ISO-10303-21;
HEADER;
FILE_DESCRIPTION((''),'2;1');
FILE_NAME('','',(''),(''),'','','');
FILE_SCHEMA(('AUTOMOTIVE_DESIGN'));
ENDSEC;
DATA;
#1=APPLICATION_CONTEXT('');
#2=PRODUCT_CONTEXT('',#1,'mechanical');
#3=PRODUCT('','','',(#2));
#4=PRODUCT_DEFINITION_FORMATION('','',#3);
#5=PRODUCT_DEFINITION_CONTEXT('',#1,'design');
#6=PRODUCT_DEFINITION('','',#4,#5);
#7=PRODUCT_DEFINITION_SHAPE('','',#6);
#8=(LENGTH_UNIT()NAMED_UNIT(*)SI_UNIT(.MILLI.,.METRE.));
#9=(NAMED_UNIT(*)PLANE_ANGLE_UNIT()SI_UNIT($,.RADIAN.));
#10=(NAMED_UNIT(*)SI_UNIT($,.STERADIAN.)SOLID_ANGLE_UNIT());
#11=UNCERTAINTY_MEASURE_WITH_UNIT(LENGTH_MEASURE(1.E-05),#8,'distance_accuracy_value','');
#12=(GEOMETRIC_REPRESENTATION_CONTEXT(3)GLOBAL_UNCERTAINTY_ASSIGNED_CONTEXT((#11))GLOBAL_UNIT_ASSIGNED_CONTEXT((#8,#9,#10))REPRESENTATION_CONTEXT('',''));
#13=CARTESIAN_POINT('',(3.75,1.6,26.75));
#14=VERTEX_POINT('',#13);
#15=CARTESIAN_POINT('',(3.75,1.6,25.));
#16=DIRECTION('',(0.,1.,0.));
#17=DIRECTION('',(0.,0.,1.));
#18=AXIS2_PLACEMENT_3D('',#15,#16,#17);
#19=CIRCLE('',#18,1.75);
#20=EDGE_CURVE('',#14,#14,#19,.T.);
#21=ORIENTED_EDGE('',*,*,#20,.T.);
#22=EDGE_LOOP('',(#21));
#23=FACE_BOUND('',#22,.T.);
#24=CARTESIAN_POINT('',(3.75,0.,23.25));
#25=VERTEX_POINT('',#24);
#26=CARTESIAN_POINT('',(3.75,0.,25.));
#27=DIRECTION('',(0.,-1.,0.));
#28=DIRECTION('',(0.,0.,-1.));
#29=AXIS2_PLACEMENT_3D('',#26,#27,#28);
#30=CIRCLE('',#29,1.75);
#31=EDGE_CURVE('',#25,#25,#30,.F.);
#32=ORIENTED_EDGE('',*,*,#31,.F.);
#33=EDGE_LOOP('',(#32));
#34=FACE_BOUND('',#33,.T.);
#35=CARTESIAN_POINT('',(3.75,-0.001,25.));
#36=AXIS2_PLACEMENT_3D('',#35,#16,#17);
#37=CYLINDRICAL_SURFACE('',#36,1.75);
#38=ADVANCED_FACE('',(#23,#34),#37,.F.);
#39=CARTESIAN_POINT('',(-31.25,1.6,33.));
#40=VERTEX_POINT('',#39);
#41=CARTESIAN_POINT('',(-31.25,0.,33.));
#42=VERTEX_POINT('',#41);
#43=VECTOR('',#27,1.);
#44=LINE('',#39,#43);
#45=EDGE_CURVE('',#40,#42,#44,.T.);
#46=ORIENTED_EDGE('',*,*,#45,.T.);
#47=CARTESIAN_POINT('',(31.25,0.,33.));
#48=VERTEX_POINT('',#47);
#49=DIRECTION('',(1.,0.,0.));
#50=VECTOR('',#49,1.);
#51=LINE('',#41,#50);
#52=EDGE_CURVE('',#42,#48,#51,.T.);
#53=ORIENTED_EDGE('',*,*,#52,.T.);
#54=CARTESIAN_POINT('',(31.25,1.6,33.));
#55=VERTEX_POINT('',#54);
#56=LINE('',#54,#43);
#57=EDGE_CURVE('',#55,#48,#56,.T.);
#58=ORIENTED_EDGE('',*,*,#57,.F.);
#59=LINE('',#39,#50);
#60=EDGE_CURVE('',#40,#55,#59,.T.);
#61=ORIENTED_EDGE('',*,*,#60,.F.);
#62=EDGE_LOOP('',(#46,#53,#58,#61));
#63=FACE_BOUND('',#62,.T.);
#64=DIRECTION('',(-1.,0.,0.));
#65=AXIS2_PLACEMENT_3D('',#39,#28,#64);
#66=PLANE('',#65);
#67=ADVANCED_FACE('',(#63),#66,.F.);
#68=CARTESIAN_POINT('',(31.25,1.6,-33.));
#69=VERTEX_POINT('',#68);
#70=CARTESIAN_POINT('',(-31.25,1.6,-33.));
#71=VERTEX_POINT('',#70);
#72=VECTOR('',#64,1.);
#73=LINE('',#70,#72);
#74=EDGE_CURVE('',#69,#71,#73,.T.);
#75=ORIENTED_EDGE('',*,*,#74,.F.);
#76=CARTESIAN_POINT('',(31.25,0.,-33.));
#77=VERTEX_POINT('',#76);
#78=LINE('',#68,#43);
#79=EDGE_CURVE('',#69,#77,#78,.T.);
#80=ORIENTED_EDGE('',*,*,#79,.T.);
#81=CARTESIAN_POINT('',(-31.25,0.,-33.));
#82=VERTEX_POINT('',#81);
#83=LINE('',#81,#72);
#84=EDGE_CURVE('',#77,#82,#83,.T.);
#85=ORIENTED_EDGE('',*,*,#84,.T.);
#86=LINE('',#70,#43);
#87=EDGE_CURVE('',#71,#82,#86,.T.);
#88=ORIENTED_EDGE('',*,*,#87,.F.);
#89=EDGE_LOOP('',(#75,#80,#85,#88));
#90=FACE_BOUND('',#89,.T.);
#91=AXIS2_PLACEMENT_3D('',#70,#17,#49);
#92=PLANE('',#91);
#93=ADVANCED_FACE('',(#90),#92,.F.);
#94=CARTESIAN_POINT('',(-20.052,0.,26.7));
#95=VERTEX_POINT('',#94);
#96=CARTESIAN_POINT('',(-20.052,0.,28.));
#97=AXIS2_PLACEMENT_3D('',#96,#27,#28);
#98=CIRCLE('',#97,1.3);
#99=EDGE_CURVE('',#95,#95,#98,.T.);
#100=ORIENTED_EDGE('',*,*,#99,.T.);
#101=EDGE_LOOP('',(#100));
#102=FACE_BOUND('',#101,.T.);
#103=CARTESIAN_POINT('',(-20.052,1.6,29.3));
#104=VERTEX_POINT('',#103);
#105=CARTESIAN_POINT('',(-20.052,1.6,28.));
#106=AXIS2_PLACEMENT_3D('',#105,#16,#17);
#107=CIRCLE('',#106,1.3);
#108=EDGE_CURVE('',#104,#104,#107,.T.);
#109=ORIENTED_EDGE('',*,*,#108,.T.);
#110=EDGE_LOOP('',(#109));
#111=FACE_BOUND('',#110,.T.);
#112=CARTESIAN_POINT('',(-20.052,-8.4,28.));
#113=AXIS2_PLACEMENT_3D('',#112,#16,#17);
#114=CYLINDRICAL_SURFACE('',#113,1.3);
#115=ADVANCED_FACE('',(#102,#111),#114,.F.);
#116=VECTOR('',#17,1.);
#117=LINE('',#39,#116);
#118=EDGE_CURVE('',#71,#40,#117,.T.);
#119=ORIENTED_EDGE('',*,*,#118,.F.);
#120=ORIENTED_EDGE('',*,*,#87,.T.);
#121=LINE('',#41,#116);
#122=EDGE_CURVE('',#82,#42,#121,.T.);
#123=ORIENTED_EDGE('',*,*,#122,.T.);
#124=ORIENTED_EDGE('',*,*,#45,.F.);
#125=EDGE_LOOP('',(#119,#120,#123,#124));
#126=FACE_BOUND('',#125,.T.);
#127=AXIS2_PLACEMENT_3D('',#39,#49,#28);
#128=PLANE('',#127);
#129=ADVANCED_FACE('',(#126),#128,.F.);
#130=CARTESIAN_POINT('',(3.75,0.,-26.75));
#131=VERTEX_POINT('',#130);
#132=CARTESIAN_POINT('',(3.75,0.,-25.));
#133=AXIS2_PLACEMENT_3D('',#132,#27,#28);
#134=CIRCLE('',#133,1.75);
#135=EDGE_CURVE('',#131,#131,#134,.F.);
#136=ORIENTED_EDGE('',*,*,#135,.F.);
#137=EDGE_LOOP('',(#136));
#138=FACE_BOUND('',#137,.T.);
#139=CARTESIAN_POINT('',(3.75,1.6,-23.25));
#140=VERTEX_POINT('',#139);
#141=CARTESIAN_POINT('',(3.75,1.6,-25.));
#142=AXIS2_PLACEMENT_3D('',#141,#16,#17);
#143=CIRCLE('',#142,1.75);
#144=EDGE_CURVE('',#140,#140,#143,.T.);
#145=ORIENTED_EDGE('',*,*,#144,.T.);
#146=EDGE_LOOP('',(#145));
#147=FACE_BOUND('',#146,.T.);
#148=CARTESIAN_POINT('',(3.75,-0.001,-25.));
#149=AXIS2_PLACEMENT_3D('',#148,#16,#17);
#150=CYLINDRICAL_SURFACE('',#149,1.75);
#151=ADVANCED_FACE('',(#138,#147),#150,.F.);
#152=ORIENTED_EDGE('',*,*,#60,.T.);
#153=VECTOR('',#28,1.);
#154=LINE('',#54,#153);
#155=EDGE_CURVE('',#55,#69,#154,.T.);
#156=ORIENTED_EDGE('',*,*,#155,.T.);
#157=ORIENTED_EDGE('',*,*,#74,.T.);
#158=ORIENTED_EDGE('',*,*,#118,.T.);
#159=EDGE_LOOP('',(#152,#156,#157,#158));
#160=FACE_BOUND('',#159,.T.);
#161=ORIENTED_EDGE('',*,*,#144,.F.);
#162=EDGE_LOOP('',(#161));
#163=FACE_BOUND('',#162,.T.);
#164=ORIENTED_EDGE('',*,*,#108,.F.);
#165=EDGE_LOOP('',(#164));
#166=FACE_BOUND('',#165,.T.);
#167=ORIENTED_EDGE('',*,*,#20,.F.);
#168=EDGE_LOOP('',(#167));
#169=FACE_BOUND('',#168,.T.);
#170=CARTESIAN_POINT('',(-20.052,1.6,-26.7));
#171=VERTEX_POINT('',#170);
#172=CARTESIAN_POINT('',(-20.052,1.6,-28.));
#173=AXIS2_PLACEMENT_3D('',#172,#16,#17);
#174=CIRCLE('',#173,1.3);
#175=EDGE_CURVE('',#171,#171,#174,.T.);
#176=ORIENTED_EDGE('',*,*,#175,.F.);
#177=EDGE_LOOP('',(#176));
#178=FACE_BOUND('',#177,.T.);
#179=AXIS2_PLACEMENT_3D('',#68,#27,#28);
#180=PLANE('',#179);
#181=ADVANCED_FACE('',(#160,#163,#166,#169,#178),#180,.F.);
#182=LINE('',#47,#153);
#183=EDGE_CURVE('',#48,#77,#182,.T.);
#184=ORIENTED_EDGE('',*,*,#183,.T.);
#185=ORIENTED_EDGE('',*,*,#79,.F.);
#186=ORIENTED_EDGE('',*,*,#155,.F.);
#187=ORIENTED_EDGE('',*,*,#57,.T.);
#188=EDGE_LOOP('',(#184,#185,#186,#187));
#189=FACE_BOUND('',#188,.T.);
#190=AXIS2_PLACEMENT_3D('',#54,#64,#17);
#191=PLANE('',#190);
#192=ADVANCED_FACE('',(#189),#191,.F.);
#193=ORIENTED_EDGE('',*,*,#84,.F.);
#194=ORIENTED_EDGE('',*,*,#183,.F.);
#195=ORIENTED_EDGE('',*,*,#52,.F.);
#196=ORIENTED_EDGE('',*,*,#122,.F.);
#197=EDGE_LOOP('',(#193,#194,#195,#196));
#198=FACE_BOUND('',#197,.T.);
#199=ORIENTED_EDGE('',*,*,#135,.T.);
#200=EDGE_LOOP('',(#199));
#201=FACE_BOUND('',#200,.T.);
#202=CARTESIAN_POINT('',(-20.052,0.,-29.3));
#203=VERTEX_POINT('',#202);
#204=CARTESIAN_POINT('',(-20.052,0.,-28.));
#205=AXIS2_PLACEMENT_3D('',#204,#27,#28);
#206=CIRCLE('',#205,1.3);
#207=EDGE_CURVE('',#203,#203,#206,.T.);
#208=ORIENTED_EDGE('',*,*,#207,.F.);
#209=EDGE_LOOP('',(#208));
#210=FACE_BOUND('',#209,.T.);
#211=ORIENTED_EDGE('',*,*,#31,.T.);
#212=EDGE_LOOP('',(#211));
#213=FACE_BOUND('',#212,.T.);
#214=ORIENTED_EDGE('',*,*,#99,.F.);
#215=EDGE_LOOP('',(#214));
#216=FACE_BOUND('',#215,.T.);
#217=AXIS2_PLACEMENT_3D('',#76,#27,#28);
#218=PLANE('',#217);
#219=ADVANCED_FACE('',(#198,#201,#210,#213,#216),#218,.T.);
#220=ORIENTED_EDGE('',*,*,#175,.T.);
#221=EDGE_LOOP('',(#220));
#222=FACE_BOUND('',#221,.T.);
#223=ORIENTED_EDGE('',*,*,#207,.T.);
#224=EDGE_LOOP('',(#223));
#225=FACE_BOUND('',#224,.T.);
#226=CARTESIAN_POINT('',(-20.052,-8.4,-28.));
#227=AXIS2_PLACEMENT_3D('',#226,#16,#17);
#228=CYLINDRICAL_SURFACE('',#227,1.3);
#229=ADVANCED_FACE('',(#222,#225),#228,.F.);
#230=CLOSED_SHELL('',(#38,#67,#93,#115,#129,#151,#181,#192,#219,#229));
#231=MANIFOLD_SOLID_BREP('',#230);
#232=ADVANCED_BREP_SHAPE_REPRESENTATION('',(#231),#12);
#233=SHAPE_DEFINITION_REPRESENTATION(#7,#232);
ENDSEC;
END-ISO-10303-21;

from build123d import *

# Parameters (mm, degrees)
SKETCH1_W           = 62.5
SKETCH1_H           = 66
BOSS_EXTRUDE1_DEPTH = 1.6
SKETCH2_R           = 1.3
CUT_EXTRUDE1_DEPTH  = 10
CUT_EXTRUDE2_REACH  = 47.477
SKETCH3_R           = 1.75


with BuildPart() as part:
    # Sketch1 → Boss-Extrude1 (new body)
    with BuildSketch(Plane(origin=(0, 0, 0), x_dir=(1, 0, 0), z_dir=(0, 1, 0))):
        Rectangle(SKETCH1_W, SKETCH1_H)
    extrude(amount=BOSS_EXTRUDE1_DEPTH)

    # Sketch2 → Cut-Extrude1 (cut)
    with BuildSketch(Plane(origin=(0, 1.6, 0), x_dir=(1, 0, 0), z_dir=(0, 1, 0))):
        with Locations(Location((-20.052, 28, 0), (0, 0, 270))):
            Circle(SKETCH2_R)
        with Locations(Location((-20.052, -28, 0), (0, 0, 270))):
            Circle(SKETCH2_R)
    extrude(amount=-CUT_EXTRUDE1_DEPTH, mode=Mode.SUBTRACT)

    # Sketch3 → Cut-Extrude2 (cut, up to next)
    with BuildSketch(Plane(origin=(0, 1.6, 0), x_dir=(1, 0, 0), z_dir=(0, 1, 0)), mode=Mode.PRIVATE) as cut_extrude2_sk1:
        with Locations(Location((3.75, 25, 0), (0, 0, 270))):
            Circle(SKETCH3_R)
    cut_extrude2_tool1 = extrude(cut_extrude2_sk1.sketch, amount=-CUT_EXTRUDE2_REACH, mode=Mode.PRIVATE) & part.part
    # Sketch3 → Cut-Extrude2 (cut, up to next)
    with BuildSketch(Plane(origin=(0, 1.6, 0), x_dir=(1, 0, 0), z_dir=(0, 1, 0)), mode=Mode.PRIVATE) as cut_extrude2_sk2:
        with Locations(Location((3.75, -25, 0), (0, 0, 270))):
            Circle(SKETCH3_R)
    cut_extrude2_tool2 = extrude(cut_extrude2_sk2.sketch, amount=-CUT_EXTRUDE2_REACH, mode=Mode.PRIVATE) & part.part
    add(cut_extrude2_tool1.solids().sort_by_distance((3.75, 1.6, -25))[0], mode=Mode.SUBTRACT)
    add(cut_extrude2_tool2.solids().sort_by_distance((3.75, 1.6, 25))[0], mode=Mode.SUBTRACT)


solid = part.part
